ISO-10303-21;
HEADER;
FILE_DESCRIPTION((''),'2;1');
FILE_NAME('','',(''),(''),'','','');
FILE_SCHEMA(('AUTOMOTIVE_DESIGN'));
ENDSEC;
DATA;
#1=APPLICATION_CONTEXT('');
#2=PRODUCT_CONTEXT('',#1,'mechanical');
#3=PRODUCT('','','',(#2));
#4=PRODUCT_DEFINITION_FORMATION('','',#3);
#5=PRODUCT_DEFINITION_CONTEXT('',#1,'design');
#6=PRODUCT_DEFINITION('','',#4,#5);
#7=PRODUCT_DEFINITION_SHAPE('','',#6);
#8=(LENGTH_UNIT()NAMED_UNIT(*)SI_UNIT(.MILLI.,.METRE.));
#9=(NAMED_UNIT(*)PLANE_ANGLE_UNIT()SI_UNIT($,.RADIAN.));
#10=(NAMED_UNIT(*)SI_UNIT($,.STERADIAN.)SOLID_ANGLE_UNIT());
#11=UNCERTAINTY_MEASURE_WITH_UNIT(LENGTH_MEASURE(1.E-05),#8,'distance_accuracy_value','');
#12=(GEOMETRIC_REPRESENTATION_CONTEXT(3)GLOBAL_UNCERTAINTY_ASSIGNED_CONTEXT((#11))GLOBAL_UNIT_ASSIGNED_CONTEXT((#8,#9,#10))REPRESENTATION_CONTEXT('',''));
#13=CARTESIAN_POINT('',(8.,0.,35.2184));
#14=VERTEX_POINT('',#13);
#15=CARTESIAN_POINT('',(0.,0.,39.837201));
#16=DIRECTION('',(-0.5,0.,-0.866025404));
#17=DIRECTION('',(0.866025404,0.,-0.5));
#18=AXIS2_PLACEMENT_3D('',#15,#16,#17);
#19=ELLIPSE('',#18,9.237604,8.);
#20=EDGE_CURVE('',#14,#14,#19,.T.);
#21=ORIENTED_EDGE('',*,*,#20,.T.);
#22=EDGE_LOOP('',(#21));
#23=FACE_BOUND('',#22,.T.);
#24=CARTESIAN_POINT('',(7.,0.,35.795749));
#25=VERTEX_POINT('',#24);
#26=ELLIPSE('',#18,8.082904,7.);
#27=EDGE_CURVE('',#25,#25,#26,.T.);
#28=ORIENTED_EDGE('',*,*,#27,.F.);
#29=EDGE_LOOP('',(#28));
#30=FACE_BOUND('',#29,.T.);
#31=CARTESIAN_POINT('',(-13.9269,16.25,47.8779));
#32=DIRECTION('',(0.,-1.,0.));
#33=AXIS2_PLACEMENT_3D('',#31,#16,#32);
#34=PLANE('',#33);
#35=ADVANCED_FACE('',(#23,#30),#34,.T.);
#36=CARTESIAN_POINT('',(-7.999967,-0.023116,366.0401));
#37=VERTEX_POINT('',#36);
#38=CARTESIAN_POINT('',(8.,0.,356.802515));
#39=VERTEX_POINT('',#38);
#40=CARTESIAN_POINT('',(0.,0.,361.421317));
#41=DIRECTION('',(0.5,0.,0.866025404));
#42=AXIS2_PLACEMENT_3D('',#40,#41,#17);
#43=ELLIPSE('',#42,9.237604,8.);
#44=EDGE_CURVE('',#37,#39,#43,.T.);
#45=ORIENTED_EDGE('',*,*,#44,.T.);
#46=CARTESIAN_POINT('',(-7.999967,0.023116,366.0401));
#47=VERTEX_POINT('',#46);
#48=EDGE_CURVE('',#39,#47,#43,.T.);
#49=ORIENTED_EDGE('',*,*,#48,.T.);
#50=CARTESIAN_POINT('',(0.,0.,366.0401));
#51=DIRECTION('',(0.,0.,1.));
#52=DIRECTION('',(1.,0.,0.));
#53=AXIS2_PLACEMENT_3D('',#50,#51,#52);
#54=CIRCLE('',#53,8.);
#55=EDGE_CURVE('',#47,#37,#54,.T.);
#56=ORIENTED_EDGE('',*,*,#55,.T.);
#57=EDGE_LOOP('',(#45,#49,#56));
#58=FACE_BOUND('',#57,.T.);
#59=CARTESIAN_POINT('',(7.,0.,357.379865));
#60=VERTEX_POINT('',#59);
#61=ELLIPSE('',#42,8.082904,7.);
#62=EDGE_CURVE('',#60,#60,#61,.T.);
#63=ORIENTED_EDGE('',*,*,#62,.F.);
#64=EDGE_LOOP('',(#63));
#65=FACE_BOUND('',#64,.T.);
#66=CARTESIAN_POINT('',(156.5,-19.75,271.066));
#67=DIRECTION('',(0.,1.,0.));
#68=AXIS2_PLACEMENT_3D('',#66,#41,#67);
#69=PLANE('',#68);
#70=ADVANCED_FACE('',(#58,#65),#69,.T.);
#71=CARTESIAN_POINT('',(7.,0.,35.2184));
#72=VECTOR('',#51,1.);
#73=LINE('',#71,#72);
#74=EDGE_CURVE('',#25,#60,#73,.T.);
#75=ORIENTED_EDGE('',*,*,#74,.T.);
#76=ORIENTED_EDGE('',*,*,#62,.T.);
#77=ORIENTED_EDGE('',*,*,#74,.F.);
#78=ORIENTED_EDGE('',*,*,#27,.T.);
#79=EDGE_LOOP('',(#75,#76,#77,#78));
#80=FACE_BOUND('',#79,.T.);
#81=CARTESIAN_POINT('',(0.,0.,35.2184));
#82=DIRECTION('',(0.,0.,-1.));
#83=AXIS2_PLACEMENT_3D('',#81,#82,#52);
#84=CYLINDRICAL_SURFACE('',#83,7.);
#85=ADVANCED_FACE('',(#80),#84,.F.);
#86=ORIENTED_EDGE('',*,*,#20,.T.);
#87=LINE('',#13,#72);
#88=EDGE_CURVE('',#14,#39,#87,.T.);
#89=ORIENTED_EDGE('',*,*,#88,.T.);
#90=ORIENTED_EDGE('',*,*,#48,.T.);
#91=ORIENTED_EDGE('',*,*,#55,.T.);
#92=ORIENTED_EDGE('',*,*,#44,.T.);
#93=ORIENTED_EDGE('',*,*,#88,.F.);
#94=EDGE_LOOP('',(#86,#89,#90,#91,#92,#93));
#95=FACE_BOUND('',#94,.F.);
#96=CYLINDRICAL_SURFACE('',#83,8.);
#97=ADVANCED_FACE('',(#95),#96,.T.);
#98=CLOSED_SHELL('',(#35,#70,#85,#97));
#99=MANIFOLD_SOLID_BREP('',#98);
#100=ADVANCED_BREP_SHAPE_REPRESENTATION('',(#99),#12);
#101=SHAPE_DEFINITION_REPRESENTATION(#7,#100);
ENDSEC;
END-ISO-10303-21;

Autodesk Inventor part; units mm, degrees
ref_plane "Начальная плоскость" through (0, 0, 35.2184) normal (0, 0, 1) x (1, 0, 0)
ref_plane "Конечная плоскость" through (0, 0, 366.0401) normal (0, 0, 1) x (1, 0, 0)
sketch "Эскиз" plane through (0, 0, 0) normal (0, 0, 1) x (1, 0, 0)
  circle A0 centre (0, 0) radius 7
  circle A1 centre (0, 0) radius 8
  dimension "d0" = 16
  dimension "d1" = 1
extrude "Базовый элемент" add sketch "Эскиз" along normal up to surface (330.8217 mm away) from surface at 35.2184
sketch "Sketch3" plane through (0, 0, 0) normal (0, 0, 1) x (1, 0, 0)
  line L0 (0, 0) -> (10, 0)
ref_plane "Work Plane3" through (0, 0, 0) normal (0, -1, 0) x (1, 0, 0)
sketch "Sketch4" plane through (0, 0, 0) normal (0, -1, 0) x (1, 0, 0)
  line L0 (-2, 35.2184) -> (12, 35.2184)
  line L1 (-2, 366.0401) -> (12, 366.0401)
  dimension "d7" = 330.8217
ref_plane "РабПлоскость4" through (156.5, -19.75, 271.066) normal (0.5, 0, 0.866) x (0.866, 0, -0.5)
split "Разделение1" plane through (156.5, -19.75, 271.066) removes the side toward (0.5, 0, 0.866)
ref_plane "РабПлоскость5" through (-13.9269, 16.25, 47.8779) normal (-0.5, 0, -0.866) x (-0.866, 0, 0.5)
split "Разделение2" plane through (-13.9269, 16.25, 47.8779) removes the side toward (-0.5, 0, -0.866)
equation "\"d0\" = G_H"
equation "\"d1\" = G_T"
equation "\"d2\" = G_L"
equation "\"G_H\" = 16"
equation "\"G_T\" = 1"
equation "\"G_L\" = d7"
equation "\"G_OFFSET_START\" = -35.21837"
equation "\"G_OFFSET_END\" = -72.74613"
equation "\"d4\" = -G_OFFSET_START"
equation "\"d5\" = G_OFFSET_END + B_L"
equation "\"B_L\" = 438.7862"
properties part number "Труба 16x1-330,82 ГОСТ 10704-91" material "Сталь, мягкая"
